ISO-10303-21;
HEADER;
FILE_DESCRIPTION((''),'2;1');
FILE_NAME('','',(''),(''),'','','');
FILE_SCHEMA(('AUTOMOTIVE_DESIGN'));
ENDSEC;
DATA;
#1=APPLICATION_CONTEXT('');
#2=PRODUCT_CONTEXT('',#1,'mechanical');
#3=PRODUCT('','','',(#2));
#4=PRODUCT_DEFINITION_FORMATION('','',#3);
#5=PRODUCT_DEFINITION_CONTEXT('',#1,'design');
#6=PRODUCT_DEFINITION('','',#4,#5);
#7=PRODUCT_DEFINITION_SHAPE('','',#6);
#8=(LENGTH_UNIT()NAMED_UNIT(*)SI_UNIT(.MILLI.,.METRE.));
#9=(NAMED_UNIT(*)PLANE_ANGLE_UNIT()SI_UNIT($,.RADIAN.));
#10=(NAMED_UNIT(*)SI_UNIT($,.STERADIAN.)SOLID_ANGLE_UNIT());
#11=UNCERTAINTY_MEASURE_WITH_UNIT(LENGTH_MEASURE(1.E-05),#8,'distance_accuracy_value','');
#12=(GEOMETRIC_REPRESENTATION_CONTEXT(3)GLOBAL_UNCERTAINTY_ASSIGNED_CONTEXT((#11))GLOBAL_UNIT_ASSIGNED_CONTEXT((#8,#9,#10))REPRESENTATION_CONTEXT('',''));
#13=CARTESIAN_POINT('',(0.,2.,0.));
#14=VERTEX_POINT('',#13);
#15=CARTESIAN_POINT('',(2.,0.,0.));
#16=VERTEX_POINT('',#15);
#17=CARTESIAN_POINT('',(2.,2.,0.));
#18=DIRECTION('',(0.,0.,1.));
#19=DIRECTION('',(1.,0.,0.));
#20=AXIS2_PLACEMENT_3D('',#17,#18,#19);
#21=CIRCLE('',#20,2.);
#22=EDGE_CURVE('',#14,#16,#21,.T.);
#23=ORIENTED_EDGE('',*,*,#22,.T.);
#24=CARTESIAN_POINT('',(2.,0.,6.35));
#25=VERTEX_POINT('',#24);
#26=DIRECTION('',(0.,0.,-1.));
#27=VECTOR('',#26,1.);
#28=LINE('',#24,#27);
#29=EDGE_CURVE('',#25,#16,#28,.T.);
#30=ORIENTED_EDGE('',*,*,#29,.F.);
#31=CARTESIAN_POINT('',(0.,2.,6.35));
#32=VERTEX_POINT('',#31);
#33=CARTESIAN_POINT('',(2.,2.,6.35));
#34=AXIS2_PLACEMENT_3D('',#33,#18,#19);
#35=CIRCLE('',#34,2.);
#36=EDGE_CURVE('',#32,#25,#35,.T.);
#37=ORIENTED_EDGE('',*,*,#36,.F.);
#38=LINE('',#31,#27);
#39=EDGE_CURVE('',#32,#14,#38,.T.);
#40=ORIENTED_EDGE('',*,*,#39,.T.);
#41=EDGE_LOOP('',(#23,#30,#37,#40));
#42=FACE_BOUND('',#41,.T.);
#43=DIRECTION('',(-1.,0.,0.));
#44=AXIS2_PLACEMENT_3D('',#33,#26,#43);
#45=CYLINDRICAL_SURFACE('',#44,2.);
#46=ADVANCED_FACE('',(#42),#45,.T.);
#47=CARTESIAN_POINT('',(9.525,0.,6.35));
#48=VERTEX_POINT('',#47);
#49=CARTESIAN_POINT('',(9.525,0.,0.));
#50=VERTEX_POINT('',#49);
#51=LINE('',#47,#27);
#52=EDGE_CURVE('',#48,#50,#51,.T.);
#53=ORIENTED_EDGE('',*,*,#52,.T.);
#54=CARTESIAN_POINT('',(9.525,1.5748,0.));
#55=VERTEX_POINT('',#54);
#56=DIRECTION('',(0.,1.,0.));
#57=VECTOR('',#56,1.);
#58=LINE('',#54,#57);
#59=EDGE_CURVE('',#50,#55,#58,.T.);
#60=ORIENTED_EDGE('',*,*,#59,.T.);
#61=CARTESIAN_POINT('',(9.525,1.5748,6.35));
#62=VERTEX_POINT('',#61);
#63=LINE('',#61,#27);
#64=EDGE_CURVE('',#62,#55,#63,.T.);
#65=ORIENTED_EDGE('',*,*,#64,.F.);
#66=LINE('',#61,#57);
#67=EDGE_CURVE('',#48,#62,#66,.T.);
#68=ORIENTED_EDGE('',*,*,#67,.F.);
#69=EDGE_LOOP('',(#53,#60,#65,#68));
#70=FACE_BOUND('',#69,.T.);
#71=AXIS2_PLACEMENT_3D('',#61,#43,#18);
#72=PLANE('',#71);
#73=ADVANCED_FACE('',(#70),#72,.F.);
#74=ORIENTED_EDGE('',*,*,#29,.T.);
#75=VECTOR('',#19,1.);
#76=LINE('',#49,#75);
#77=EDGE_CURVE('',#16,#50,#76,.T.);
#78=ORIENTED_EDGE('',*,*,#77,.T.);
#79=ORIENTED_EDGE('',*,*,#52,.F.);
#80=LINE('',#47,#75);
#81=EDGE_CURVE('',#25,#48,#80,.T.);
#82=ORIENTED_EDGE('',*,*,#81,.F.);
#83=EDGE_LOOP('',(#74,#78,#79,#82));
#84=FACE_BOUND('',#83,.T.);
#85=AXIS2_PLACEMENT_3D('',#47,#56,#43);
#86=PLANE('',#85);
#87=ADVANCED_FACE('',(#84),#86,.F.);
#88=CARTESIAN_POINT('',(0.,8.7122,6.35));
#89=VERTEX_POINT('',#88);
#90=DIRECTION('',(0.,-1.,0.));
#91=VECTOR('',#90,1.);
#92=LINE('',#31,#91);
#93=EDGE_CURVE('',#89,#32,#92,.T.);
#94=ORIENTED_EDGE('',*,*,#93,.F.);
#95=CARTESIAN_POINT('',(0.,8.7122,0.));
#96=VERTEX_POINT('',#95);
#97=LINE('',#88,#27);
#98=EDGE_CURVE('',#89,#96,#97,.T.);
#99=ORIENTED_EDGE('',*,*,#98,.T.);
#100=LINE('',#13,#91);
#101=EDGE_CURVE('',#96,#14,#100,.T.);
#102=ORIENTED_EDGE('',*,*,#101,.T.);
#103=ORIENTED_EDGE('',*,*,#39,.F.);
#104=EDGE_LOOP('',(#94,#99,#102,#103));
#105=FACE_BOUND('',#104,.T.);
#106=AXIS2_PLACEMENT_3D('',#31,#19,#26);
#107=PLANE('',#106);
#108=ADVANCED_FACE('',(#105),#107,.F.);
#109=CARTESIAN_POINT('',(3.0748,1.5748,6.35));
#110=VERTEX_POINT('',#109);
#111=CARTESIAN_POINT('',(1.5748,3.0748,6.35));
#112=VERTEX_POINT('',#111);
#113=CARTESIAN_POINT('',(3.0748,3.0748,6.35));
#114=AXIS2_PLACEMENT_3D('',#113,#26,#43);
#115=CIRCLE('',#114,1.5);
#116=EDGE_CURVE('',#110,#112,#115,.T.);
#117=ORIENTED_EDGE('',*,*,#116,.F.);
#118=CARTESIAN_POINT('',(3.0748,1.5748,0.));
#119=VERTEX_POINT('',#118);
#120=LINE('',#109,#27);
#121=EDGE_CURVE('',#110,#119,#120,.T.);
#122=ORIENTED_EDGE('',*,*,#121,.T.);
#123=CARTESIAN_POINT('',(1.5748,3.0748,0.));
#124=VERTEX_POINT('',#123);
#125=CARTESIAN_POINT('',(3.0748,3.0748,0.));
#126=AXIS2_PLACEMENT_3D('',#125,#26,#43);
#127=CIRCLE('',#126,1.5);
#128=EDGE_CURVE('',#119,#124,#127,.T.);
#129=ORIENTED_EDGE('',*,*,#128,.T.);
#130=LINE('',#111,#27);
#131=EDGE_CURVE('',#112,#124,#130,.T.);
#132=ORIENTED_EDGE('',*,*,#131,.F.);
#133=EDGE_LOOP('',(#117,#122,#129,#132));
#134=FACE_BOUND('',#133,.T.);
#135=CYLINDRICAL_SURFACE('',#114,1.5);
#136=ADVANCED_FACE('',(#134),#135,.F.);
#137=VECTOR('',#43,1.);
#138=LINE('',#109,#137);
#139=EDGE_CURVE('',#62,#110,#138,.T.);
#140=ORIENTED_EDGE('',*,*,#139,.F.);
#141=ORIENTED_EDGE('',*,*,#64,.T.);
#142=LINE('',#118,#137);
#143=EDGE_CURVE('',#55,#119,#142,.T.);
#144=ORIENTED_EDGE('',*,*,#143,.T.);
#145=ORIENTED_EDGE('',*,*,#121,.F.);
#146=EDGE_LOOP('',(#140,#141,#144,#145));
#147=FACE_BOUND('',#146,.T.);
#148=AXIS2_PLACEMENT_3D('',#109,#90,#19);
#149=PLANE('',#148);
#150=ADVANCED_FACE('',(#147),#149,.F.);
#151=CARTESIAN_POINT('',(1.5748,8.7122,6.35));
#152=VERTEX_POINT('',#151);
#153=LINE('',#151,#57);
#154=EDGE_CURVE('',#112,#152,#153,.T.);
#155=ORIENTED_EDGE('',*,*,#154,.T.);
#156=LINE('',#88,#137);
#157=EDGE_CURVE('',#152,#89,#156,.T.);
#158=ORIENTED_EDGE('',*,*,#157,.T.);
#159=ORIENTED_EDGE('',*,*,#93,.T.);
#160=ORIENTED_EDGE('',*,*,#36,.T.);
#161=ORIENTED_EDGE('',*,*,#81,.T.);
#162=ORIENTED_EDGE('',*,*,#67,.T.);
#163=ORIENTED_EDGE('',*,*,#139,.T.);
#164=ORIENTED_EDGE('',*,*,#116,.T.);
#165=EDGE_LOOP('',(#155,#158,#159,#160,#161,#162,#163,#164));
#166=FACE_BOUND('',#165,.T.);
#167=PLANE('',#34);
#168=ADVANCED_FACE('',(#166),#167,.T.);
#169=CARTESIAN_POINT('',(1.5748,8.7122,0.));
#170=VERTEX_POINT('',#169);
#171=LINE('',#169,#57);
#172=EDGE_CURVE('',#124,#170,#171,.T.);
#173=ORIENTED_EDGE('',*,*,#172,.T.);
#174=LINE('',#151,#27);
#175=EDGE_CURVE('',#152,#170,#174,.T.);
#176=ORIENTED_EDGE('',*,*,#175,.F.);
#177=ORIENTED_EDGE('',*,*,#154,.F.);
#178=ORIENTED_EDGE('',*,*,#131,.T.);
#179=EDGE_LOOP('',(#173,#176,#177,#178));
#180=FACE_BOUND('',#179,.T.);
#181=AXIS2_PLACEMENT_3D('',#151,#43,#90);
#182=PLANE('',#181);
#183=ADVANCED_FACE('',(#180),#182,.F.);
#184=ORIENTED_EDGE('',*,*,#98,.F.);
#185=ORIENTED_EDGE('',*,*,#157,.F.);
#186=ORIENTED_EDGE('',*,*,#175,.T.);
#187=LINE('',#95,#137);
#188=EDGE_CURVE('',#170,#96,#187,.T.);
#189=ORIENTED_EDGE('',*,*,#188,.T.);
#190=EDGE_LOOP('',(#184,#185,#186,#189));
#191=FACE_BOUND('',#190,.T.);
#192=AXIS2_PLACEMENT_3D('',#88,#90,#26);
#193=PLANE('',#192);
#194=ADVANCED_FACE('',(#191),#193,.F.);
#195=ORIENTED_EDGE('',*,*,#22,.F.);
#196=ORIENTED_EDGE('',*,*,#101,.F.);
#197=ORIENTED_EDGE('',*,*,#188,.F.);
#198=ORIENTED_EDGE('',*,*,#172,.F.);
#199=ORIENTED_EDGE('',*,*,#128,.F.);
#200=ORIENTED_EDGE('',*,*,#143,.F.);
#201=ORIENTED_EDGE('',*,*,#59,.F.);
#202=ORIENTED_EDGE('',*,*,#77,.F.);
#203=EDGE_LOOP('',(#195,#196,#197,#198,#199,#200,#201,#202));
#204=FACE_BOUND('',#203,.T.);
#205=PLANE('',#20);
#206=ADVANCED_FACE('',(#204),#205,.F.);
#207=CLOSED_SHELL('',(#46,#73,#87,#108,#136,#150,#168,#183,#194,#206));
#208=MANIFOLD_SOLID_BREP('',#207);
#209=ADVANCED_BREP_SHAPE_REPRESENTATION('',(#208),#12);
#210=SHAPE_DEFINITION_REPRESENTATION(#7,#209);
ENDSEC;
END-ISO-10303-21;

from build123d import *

# Parameters (mm, degrees)
BOSS_EXTRUDE1_DEPTH = 6.35


with BuildPart() as part:
    # Sketch1 → Boss-Extrude1 (new body)
    with BuildSketch(Plane.XY):
        with BuildLine():
            Line((0, 2), (0, 8.7122))
            Line((0, 8.7122), (1.5748, 8.7122))
            Line((1.5748, 8.7122), (1.5748, 3.0748))
            ThreePointArc((1.5748, 3.0748), (2.014139828, 2.014139828), (3.0748, 1.5748))
            Line((3.0748, 1.5748), (9.525, 1.5748))
            Line((9.525, 1.5748), (9.525, 0))
            Line((9.525, 0), (2, 0))
            ThreePointArc((2, 0), (0.585786438, 0.585786438), (0, 2))
        make_face()
    extrude(amount=BOSS_EXTRUDE1_DEPTH)


solid = part.part
